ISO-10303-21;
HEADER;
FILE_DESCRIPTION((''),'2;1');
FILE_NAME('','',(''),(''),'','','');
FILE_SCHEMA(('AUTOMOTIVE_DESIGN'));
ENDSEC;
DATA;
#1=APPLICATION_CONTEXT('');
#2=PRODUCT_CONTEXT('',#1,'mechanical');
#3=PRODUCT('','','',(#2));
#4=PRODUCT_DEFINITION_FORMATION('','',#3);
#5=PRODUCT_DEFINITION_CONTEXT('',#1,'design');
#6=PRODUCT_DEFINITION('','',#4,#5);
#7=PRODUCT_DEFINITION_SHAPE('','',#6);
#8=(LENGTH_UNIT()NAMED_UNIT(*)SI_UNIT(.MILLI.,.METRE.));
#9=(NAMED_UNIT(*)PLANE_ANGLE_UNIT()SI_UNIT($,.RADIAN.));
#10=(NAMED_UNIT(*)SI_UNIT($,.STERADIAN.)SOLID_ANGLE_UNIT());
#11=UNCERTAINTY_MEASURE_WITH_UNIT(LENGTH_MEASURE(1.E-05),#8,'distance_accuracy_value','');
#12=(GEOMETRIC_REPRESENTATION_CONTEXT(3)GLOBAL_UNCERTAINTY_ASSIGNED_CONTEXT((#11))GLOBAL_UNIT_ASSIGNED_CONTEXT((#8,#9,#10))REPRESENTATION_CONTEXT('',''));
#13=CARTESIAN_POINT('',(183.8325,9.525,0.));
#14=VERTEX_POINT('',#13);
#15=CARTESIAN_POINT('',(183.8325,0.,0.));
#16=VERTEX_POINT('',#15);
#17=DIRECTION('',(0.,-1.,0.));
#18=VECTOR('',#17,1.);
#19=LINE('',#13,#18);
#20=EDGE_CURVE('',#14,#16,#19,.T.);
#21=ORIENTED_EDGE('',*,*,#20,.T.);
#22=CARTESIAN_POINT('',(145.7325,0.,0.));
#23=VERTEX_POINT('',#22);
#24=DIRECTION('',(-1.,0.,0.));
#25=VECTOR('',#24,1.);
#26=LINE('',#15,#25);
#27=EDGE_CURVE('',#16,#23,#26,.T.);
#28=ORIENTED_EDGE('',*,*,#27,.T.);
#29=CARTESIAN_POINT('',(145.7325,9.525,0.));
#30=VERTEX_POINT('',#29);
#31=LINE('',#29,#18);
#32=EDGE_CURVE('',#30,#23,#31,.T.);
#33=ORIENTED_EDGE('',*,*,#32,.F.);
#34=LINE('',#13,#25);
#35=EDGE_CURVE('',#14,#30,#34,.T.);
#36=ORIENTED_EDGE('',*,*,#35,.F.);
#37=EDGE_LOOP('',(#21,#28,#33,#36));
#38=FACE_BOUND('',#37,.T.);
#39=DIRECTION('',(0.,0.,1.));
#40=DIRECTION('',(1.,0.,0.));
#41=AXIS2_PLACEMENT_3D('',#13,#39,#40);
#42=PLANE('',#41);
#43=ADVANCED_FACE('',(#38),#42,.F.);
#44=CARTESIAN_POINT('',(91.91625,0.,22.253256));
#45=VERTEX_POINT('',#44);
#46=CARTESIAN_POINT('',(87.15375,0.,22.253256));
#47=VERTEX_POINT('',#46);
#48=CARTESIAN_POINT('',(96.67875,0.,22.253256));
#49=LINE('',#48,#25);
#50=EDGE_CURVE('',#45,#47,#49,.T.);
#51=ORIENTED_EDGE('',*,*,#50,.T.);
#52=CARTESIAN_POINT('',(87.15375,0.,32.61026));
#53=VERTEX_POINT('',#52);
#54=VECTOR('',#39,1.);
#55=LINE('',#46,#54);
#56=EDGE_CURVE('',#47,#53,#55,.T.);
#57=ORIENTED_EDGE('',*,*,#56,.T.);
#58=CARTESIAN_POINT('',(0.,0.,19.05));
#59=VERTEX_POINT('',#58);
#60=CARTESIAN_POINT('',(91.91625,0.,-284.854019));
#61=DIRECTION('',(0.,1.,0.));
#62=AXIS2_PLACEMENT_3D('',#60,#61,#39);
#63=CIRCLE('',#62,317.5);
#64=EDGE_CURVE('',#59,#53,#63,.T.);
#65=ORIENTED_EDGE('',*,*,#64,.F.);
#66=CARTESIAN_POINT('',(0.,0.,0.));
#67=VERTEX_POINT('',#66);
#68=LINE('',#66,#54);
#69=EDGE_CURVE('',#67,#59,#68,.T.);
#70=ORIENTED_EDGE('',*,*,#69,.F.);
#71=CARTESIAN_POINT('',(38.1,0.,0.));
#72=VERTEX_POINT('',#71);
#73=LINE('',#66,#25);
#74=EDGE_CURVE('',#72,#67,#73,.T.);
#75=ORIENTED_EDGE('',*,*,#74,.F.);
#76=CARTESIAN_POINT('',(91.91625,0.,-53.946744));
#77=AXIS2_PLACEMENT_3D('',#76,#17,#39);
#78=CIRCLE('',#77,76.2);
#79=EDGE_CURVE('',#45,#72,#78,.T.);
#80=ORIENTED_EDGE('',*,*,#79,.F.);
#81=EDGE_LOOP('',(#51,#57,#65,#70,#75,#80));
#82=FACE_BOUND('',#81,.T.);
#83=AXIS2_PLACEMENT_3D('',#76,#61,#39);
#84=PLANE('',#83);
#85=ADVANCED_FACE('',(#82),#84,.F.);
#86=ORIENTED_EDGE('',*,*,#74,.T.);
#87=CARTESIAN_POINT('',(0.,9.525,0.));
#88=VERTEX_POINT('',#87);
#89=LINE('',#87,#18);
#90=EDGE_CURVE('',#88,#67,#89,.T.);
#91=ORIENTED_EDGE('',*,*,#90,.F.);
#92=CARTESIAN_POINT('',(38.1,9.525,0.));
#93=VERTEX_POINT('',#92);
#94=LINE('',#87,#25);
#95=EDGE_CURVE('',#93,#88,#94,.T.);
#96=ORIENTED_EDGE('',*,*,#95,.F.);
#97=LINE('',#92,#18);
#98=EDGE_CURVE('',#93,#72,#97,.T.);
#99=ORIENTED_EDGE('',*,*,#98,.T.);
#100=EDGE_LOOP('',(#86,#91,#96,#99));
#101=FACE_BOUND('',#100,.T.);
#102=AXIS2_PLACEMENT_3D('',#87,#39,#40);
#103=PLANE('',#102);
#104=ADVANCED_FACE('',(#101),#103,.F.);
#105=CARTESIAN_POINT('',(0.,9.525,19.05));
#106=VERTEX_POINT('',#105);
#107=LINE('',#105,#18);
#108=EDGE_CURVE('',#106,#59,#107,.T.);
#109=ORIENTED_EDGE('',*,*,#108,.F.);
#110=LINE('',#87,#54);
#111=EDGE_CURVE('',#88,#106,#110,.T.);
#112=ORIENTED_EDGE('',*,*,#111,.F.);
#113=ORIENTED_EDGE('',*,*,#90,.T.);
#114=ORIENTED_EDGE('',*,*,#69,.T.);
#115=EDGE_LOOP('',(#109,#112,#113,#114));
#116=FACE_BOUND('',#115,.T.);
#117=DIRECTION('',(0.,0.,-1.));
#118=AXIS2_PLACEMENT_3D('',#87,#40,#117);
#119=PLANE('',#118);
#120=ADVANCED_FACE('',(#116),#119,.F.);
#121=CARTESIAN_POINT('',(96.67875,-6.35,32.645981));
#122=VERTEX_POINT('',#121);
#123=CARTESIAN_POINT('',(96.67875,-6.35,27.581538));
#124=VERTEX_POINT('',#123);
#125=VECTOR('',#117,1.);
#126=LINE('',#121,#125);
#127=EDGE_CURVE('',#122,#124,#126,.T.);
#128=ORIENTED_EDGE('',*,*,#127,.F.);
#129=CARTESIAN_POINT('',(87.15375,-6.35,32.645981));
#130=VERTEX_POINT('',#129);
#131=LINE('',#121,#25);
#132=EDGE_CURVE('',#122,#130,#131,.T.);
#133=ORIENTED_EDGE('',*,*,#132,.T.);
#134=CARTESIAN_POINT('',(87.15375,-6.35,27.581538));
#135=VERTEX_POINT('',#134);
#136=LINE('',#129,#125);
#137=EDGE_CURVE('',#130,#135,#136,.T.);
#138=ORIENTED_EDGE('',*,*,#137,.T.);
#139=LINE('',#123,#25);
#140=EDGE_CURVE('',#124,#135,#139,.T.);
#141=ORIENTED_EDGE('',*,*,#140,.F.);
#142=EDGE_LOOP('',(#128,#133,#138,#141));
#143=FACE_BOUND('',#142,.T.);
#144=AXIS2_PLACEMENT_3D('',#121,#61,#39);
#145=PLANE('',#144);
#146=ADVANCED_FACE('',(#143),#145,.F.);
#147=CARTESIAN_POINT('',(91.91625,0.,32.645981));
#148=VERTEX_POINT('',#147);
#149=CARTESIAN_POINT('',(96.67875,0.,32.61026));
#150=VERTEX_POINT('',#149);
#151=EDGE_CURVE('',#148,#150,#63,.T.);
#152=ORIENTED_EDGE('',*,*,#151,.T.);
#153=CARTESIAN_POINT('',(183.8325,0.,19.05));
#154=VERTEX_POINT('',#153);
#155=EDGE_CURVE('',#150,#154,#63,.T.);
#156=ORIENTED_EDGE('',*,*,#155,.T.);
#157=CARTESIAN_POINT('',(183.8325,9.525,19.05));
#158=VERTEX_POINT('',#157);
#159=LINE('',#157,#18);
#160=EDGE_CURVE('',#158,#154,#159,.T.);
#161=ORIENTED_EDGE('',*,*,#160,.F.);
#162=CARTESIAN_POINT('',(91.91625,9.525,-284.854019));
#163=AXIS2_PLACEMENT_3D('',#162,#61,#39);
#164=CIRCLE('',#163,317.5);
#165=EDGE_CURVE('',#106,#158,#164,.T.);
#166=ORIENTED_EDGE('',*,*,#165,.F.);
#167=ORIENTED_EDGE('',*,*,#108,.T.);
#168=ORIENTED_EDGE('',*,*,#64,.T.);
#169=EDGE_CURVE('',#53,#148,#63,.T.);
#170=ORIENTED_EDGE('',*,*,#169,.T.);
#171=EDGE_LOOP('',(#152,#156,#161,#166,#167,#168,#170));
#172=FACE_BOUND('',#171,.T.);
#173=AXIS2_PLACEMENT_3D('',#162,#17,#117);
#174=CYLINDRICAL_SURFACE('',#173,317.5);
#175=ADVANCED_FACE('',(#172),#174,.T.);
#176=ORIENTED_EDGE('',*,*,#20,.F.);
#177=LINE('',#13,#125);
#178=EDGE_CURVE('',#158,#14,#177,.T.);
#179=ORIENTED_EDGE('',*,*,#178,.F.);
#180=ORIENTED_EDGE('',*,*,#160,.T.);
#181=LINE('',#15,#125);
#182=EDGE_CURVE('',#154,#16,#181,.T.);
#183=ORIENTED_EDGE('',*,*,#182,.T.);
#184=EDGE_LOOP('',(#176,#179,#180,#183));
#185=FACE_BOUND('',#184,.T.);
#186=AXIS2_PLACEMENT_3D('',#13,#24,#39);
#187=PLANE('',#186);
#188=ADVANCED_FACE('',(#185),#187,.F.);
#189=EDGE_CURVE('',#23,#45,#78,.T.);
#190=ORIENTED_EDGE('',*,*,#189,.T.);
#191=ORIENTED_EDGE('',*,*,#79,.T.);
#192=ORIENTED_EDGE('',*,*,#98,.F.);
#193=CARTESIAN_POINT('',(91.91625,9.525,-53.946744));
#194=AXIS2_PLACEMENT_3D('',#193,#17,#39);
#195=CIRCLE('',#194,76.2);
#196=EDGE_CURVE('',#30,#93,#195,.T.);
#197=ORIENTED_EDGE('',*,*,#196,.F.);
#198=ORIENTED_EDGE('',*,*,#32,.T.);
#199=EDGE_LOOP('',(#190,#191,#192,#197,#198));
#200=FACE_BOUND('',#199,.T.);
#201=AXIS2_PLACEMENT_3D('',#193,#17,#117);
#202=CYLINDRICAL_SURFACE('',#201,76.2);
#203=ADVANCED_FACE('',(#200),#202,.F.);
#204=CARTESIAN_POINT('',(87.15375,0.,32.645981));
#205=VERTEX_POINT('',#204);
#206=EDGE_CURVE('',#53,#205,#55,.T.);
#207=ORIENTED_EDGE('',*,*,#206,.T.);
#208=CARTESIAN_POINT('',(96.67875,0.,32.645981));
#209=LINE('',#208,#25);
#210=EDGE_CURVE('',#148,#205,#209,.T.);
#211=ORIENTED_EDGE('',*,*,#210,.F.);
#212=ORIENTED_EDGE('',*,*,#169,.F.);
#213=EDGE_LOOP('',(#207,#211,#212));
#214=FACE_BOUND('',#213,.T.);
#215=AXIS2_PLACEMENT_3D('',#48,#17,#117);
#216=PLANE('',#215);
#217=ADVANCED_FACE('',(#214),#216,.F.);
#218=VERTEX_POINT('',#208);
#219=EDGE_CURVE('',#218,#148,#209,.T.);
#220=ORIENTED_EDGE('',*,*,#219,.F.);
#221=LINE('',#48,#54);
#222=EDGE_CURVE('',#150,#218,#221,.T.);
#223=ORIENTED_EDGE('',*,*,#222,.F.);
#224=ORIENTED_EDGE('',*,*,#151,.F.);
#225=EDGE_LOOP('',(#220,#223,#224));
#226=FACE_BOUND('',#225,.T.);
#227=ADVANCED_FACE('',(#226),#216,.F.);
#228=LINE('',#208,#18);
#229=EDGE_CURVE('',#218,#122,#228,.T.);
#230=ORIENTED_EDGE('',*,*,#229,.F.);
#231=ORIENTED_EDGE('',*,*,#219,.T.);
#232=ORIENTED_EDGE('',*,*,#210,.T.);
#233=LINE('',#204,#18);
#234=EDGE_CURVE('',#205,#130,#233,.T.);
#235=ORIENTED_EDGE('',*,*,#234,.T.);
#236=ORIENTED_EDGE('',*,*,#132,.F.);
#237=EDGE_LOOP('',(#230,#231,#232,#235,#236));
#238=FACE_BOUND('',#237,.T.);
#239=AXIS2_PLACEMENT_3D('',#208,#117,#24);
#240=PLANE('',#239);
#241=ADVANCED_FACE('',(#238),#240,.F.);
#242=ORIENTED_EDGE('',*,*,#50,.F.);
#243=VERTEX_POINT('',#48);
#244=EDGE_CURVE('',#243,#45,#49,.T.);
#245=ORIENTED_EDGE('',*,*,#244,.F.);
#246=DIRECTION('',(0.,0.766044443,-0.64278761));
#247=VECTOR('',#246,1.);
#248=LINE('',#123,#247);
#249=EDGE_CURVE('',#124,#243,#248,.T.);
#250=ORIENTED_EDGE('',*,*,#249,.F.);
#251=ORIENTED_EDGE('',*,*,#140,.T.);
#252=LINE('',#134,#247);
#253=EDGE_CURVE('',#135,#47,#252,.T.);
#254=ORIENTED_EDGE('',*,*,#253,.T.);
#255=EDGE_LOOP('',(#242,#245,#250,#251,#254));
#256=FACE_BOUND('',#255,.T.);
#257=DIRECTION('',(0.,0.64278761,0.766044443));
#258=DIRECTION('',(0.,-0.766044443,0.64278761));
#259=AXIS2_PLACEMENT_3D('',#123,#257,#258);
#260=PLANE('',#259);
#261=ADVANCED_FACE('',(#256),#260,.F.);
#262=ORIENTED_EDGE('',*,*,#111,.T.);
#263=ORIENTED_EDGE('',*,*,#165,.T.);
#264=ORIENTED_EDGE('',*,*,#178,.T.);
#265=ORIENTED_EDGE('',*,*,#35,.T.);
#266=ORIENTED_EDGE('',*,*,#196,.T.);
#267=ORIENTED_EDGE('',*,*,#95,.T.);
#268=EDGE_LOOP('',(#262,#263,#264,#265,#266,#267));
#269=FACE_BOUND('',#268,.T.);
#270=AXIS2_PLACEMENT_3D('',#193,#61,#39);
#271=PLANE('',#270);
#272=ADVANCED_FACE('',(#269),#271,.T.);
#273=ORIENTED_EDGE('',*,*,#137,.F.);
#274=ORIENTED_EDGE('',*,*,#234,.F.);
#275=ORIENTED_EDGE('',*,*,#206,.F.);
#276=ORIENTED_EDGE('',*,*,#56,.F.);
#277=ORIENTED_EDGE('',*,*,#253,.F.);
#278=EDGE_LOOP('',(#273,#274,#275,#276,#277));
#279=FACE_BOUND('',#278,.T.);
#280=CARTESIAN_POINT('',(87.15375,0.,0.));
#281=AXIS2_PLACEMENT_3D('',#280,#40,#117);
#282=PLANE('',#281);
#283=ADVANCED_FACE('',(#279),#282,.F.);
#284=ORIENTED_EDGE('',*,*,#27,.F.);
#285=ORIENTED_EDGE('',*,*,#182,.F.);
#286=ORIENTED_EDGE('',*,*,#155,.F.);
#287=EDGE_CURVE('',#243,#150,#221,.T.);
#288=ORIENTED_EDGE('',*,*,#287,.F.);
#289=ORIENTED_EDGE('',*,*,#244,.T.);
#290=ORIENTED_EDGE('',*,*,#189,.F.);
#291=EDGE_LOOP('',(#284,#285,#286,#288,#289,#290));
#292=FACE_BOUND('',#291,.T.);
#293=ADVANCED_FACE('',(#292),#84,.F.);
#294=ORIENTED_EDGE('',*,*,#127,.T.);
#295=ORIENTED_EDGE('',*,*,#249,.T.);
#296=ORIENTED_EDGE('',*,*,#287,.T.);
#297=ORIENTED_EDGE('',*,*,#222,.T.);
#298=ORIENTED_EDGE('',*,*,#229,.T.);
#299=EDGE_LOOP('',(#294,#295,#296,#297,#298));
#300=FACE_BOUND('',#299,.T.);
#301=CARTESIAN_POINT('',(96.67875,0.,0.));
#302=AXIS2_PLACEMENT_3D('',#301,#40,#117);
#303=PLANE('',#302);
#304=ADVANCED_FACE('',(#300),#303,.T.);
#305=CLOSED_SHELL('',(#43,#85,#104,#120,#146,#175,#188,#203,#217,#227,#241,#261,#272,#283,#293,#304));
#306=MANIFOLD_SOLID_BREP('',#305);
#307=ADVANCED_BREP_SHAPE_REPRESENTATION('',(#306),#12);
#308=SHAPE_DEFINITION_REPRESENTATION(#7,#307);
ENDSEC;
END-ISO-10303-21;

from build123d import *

# Parameters (mm, degrees)
BOSS_EXTRUDE1_DEPTH = 9.525
BOSS_EXTRUDE2_DEPTH = 4.7625


with BuildPart() as part:
    # Sketch1 → Boss-Extrude1 (new body)
    with BuildSketch(Plane(origin=(0, 0, 0), x_dir=(1, 0, 0), z_dir=(0, 1, 0))):
        with BuildLine():
            Line((0, 0), (0, -19.05))
            ThreePointArc((0, -19.05), (91.91625, -32.645980635), (183.8325, -19.05))
            Line((183.8325, -19.05), (183.8325, 0))
            Line((183.8325, 0), (145.7325, 0))
            ThreePointArc((145.7325, 0), (91.91625, -22.253255558), (38.1, 0))
            Line((38.1, 0), (0, 0))
        make_face()
    extrude(amount=BOSS_EXTRUDE1_DEPTH)

    # Sketch2 → Boss-Extrude2 (add, symmetric)
    with BuildSketch(Plane(origin=(91.91625, 0, 0), x_dir=(0, 0, -1), z_dir=(1, 0, 0))):
        Polygon((-32.645980635, 0), (-32.645980635, -6.35), (-27.581538216, -6.35), (-22.253255558, 0), align=None)
    extrude(amount=BOSS_EXTRUDE2_DEPTH, both=True)


solid = part.part
